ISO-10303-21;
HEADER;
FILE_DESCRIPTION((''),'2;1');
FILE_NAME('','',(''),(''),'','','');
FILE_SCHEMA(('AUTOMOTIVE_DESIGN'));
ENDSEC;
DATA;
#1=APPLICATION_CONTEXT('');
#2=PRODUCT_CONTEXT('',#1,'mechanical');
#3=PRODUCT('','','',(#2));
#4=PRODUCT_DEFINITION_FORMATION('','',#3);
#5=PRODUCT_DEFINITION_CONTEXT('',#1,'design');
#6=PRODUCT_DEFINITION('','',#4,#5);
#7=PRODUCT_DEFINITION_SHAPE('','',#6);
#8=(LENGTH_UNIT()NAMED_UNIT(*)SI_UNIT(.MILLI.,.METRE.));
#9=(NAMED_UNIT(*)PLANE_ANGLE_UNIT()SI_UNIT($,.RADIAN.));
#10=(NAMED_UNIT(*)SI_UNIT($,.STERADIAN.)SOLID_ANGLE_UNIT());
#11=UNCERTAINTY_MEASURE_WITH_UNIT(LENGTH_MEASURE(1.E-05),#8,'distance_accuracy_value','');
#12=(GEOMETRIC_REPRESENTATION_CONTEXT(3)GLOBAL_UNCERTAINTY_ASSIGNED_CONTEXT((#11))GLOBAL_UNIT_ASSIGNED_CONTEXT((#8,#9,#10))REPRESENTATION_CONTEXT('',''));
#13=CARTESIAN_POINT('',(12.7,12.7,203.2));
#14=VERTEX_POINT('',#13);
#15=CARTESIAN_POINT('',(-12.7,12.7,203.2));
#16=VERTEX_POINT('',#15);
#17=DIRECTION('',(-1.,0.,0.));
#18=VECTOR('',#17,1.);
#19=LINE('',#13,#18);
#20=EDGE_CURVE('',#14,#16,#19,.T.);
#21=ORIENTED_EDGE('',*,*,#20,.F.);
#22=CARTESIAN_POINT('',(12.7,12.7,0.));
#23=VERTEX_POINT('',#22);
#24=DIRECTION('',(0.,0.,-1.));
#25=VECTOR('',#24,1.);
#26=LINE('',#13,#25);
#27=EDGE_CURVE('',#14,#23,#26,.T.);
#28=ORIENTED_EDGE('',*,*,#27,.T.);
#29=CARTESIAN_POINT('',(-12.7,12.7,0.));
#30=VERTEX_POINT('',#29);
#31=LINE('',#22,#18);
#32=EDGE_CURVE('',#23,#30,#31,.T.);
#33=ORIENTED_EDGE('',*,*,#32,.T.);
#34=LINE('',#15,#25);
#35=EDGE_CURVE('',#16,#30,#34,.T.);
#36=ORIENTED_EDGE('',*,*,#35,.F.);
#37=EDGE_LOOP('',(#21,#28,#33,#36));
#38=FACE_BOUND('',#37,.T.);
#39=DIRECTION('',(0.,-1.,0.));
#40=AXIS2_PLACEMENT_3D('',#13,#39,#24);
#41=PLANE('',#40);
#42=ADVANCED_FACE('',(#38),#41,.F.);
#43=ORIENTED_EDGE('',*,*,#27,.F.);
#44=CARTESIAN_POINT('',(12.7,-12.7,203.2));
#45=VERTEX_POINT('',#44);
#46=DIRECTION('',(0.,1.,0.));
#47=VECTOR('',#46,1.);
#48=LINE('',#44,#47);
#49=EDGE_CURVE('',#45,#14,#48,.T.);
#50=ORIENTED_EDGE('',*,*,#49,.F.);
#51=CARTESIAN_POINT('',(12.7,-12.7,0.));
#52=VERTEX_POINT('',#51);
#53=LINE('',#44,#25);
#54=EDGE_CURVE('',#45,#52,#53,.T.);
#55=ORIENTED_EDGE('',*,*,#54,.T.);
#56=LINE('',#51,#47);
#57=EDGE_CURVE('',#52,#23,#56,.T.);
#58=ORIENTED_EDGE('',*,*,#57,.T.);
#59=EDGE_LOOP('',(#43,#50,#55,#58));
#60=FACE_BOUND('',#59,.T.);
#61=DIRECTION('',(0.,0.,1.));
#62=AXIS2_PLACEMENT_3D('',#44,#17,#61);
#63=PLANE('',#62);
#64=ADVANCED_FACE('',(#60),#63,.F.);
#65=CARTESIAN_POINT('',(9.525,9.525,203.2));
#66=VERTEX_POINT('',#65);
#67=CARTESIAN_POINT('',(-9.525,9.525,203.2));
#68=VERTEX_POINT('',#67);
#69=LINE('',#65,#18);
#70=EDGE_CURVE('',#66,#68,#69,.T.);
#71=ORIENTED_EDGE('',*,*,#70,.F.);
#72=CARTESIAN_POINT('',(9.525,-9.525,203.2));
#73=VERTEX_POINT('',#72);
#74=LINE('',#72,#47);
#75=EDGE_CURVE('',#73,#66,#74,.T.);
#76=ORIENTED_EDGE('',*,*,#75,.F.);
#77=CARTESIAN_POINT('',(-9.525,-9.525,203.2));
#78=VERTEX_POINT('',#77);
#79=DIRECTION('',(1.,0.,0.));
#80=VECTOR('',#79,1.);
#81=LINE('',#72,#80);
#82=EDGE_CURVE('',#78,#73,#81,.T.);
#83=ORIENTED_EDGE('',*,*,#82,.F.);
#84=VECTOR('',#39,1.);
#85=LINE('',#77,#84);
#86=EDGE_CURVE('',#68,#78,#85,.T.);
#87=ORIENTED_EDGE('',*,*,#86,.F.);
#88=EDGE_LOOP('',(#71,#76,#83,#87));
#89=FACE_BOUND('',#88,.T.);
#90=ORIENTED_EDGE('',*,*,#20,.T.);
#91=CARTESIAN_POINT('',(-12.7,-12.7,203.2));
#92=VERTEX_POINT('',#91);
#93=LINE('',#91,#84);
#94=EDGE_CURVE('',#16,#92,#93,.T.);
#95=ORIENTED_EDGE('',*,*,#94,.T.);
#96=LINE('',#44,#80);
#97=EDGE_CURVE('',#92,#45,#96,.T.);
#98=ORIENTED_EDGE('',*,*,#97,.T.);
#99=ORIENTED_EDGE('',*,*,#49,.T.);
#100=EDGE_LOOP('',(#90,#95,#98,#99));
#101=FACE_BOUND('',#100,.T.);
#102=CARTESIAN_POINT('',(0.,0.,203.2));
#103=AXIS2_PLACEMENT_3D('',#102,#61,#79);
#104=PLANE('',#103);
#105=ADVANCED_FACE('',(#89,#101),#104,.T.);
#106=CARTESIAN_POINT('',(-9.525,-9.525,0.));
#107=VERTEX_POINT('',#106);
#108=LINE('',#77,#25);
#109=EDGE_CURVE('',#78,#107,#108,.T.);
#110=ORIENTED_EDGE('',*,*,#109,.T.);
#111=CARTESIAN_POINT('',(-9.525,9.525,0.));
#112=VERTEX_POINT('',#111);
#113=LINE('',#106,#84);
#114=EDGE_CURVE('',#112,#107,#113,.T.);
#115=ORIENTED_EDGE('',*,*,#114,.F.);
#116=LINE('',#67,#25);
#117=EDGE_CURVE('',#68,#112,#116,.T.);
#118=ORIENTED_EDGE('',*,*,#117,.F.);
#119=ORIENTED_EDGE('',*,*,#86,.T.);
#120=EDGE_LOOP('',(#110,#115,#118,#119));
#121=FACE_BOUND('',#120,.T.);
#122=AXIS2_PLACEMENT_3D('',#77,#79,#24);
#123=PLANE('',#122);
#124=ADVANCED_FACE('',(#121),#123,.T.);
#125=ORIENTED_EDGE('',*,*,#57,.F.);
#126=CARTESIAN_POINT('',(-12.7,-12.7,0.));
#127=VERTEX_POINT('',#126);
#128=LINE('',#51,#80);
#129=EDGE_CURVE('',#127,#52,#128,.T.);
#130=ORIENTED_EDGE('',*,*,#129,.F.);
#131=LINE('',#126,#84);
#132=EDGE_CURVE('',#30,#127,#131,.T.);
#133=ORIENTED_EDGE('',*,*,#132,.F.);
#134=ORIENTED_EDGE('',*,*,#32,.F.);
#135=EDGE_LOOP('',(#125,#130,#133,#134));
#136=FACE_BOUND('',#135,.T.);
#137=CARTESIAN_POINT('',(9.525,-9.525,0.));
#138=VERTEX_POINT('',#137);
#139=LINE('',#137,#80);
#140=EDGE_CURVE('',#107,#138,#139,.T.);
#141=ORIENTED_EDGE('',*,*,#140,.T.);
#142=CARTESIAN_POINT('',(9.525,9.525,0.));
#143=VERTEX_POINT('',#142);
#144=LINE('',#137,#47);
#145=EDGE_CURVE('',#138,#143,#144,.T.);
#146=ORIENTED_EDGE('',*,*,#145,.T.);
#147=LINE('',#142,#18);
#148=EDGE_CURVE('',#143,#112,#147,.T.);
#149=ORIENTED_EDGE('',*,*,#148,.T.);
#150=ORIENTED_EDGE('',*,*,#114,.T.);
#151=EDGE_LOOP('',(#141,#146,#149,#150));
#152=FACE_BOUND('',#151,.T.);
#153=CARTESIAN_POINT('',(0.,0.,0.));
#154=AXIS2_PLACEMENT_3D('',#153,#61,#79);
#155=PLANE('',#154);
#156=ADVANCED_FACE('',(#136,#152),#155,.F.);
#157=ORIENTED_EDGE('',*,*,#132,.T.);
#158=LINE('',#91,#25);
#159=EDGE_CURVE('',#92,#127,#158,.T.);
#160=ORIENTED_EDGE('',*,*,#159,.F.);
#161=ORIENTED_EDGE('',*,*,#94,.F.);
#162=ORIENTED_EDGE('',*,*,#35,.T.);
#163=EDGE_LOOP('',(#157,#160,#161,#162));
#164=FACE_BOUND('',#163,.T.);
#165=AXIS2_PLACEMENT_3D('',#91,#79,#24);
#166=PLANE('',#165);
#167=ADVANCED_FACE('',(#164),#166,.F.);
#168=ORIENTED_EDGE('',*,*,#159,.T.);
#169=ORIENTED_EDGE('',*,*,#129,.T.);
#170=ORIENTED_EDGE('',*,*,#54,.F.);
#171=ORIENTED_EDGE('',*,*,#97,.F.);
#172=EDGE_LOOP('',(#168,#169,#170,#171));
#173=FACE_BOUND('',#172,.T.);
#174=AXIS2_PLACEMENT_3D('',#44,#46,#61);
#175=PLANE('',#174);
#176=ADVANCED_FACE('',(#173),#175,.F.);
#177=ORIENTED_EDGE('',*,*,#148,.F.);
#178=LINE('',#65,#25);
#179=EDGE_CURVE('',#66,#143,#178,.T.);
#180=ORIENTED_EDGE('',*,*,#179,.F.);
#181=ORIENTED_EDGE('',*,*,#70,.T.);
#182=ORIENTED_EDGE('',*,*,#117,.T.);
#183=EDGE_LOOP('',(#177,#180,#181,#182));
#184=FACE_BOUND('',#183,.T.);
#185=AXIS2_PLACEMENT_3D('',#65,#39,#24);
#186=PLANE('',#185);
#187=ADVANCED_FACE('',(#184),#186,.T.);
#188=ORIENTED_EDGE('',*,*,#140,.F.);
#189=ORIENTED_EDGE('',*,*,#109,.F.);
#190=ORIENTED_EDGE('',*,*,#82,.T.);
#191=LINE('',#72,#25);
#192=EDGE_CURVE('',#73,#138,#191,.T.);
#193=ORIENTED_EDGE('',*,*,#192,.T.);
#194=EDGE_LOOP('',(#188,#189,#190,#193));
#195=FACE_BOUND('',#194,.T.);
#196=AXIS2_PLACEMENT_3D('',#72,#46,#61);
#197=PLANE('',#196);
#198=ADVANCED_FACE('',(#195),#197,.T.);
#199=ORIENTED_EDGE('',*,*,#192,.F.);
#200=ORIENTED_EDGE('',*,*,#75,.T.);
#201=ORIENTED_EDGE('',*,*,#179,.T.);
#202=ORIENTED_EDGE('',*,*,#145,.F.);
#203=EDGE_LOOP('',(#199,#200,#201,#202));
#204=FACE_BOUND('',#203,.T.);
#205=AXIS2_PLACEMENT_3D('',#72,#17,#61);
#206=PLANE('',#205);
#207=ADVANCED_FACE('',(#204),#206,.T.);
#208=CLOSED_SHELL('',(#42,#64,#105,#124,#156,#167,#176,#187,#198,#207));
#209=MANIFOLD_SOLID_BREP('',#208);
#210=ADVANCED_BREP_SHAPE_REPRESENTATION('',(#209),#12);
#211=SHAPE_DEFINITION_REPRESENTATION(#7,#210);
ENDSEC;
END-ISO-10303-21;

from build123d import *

# Parameters (mm, degrees)
SKETCH1_W           = 25.4
SKETCH1_H           = 25.4
SKETCH1_W_2         = 19.05
SKETCH1_H_2         = 19.05
BOSS_EXTRUDE1_DEPTH = 203.2


with BuildPart() as part:
    # Sketch1 → Boss-Extrude1 (new body)
    with BuildSketch(Plane.XY):
        Rectangle(SKETCH1_W, SKETCH1_H)
        Rectangle(SKETCH1_W_2, SKETCH1_H_2, mode=Mode.SUBTRACT)
    extrude(amount=BOSS_EXTRUDE1_DEPTH)


solid = part.part
